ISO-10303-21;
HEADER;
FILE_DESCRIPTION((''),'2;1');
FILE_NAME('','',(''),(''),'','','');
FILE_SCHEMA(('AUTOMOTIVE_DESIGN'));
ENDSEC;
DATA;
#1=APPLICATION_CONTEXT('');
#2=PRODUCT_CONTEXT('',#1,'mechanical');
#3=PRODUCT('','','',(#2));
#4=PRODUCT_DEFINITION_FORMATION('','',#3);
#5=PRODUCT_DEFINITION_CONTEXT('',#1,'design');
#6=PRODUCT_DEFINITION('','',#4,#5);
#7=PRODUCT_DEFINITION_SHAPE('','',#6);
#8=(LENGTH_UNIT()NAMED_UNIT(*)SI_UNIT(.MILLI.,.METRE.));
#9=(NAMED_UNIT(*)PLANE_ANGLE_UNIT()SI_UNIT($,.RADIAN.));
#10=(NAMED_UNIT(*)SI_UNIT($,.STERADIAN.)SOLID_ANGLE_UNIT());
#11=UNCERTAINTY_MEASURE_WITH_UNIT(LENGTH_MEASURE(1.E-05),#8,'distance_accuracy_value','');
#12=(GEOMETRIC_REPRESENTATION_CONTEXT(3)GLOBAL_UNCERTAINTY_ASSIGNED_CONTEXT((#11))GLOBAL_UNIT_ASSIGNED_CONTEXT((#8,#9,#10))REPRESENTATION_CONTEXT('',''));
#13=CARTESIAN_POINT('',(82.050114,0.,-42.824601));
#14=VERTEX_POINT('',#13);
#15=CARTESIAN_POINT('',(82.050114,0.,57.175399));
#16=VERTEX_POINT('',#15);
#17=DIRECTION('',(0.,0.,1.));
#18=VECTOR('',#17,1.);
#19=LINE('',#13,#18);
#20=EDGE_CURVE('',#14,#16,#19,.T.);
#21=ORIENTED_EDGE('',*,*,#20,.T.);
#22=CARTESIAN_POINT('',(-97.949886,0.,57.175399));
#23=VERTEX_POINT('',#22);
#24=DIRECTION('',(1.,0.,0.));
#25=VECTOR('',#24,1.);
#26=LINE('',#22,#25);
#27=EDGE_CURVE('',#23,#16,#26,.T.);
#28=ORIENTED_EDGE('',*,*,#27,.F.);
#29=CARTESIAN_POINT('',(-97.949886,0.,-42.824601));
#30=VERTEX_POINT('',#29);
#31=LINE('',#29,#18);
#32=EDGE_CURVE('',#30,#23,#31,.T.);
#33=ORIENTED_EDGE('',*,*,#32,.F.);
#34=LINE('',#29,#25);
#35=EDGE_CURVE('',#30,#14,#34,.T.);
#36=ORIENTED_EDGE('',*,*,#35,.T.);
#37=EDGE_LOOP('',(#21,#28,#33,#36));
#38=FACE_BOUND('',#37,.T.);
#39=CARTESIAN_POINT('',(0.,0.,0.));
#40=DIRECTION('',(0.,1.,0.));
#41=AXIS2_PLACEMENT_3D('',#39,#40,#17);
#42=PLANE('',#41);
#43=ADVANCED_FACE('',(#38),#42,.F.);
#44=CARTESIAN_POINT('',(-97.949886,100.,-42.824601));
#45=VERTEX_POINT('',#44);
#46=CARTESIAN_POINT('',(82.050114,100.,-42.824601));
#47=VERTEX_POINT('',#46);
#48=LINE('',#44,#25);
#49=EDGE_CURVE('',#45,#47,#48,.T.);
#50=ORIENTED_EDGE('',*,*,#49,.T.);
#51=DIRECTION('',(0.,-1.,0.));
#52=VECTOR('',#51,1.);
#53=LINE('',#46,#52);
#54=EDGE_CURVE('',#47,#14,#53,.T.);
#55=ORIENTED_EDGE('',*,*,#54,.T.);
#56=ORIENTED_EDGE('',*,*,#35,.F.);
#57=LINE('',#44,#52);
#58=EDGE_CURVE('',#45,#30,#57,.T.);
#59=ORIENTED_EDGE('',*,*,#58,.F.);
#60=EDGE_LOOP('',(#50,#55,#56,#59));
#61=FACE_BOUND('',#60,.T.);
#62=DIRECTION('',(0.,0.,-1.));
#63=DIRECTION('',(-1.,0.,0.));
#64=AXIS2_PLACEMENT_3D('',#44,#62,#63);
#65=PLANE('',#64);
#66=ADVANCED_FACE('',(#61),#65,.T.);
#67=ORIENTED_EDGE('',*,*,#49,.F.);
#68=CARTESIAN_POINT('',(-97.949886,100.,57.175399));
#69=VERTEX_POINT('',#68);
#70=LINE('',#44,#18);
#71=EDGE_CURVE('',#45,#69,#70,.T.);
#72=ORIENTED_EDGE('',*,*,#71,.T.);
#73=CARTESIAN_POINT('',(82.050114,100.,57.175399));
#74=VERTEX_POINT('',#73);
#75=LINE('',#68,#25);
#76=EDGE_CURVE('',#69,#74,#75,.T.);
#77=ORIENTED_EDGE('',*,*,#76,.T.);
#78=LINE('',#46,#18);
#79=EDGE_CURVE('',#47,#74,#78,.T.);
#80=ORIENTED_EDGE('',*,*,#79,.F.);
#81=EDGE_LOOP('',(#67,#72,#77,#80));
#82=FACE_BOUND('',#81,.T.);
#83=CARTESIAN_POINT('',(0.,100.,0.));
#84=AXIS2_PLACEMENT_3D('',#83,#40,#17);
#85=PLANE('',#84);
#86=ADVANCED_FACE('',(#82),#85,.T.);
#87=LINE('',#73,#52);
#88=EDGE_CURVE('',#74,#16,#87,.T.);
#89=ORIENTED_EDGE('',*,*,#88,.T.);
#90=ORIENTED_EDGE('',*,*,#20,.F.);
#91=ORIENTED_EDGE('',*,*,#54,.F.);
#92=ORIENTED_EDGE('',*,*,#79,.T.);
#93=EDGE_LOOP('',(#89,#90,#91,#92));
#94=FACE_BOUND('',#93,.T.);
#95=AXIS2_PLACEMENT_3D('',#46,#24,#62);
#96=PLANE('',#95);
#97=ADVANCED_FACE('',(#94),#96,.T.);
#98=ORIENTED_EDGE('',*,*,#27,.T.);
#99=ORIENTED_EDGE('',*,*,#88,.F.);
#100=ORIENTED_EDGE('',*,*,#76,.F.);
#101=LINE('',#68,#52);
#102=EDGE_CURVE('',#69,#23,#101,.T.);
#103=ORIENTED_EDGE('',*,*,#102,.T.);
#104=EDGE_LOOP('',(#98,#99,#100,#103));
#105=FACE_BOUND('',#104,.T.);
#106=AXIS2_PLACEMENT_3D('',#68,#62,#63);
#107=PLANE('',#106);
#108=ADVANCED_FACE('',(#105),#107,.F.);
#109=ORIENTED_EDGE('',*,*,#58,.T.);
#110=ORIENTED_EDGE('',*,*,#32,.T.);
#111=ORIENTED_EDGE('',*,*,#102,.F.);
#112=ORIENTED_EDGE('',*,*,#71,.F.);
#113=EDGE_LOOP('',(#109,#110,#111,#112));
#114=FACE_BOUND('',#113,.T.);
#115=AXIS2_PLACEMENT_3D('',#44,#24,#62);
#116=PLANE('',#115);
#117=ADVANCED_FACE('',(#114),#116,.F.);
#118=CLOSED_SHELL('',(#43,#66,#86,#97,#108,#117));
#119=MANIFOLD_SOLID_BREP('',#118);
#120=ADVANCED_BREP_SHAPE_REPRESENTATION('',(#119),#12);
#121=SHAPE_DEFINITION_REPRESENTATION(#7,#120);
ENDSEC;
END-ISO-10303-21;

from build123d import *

# Parameters (mm, degrees)
SKETCH_1_W      = 180
SKETCH_1_H      = 100
EXTRUDE_1_DEPTH = 100


with BuildPart() as part:
    # 草图1 → 凸台-拉伸1 (new body)
    with BuildSketch(Plane(origin=(0, 0, 0), x_dir=(1, 0, 0), z_dir=(0, 1, 0))):
        with Locations((-7.949886105, -7.175398633)):
            Rectangle(SKETCH_1_W, SKETCH_1_H)
    extrude(amount=EXTRUDE_1_DEPTH)


solid = part.part
